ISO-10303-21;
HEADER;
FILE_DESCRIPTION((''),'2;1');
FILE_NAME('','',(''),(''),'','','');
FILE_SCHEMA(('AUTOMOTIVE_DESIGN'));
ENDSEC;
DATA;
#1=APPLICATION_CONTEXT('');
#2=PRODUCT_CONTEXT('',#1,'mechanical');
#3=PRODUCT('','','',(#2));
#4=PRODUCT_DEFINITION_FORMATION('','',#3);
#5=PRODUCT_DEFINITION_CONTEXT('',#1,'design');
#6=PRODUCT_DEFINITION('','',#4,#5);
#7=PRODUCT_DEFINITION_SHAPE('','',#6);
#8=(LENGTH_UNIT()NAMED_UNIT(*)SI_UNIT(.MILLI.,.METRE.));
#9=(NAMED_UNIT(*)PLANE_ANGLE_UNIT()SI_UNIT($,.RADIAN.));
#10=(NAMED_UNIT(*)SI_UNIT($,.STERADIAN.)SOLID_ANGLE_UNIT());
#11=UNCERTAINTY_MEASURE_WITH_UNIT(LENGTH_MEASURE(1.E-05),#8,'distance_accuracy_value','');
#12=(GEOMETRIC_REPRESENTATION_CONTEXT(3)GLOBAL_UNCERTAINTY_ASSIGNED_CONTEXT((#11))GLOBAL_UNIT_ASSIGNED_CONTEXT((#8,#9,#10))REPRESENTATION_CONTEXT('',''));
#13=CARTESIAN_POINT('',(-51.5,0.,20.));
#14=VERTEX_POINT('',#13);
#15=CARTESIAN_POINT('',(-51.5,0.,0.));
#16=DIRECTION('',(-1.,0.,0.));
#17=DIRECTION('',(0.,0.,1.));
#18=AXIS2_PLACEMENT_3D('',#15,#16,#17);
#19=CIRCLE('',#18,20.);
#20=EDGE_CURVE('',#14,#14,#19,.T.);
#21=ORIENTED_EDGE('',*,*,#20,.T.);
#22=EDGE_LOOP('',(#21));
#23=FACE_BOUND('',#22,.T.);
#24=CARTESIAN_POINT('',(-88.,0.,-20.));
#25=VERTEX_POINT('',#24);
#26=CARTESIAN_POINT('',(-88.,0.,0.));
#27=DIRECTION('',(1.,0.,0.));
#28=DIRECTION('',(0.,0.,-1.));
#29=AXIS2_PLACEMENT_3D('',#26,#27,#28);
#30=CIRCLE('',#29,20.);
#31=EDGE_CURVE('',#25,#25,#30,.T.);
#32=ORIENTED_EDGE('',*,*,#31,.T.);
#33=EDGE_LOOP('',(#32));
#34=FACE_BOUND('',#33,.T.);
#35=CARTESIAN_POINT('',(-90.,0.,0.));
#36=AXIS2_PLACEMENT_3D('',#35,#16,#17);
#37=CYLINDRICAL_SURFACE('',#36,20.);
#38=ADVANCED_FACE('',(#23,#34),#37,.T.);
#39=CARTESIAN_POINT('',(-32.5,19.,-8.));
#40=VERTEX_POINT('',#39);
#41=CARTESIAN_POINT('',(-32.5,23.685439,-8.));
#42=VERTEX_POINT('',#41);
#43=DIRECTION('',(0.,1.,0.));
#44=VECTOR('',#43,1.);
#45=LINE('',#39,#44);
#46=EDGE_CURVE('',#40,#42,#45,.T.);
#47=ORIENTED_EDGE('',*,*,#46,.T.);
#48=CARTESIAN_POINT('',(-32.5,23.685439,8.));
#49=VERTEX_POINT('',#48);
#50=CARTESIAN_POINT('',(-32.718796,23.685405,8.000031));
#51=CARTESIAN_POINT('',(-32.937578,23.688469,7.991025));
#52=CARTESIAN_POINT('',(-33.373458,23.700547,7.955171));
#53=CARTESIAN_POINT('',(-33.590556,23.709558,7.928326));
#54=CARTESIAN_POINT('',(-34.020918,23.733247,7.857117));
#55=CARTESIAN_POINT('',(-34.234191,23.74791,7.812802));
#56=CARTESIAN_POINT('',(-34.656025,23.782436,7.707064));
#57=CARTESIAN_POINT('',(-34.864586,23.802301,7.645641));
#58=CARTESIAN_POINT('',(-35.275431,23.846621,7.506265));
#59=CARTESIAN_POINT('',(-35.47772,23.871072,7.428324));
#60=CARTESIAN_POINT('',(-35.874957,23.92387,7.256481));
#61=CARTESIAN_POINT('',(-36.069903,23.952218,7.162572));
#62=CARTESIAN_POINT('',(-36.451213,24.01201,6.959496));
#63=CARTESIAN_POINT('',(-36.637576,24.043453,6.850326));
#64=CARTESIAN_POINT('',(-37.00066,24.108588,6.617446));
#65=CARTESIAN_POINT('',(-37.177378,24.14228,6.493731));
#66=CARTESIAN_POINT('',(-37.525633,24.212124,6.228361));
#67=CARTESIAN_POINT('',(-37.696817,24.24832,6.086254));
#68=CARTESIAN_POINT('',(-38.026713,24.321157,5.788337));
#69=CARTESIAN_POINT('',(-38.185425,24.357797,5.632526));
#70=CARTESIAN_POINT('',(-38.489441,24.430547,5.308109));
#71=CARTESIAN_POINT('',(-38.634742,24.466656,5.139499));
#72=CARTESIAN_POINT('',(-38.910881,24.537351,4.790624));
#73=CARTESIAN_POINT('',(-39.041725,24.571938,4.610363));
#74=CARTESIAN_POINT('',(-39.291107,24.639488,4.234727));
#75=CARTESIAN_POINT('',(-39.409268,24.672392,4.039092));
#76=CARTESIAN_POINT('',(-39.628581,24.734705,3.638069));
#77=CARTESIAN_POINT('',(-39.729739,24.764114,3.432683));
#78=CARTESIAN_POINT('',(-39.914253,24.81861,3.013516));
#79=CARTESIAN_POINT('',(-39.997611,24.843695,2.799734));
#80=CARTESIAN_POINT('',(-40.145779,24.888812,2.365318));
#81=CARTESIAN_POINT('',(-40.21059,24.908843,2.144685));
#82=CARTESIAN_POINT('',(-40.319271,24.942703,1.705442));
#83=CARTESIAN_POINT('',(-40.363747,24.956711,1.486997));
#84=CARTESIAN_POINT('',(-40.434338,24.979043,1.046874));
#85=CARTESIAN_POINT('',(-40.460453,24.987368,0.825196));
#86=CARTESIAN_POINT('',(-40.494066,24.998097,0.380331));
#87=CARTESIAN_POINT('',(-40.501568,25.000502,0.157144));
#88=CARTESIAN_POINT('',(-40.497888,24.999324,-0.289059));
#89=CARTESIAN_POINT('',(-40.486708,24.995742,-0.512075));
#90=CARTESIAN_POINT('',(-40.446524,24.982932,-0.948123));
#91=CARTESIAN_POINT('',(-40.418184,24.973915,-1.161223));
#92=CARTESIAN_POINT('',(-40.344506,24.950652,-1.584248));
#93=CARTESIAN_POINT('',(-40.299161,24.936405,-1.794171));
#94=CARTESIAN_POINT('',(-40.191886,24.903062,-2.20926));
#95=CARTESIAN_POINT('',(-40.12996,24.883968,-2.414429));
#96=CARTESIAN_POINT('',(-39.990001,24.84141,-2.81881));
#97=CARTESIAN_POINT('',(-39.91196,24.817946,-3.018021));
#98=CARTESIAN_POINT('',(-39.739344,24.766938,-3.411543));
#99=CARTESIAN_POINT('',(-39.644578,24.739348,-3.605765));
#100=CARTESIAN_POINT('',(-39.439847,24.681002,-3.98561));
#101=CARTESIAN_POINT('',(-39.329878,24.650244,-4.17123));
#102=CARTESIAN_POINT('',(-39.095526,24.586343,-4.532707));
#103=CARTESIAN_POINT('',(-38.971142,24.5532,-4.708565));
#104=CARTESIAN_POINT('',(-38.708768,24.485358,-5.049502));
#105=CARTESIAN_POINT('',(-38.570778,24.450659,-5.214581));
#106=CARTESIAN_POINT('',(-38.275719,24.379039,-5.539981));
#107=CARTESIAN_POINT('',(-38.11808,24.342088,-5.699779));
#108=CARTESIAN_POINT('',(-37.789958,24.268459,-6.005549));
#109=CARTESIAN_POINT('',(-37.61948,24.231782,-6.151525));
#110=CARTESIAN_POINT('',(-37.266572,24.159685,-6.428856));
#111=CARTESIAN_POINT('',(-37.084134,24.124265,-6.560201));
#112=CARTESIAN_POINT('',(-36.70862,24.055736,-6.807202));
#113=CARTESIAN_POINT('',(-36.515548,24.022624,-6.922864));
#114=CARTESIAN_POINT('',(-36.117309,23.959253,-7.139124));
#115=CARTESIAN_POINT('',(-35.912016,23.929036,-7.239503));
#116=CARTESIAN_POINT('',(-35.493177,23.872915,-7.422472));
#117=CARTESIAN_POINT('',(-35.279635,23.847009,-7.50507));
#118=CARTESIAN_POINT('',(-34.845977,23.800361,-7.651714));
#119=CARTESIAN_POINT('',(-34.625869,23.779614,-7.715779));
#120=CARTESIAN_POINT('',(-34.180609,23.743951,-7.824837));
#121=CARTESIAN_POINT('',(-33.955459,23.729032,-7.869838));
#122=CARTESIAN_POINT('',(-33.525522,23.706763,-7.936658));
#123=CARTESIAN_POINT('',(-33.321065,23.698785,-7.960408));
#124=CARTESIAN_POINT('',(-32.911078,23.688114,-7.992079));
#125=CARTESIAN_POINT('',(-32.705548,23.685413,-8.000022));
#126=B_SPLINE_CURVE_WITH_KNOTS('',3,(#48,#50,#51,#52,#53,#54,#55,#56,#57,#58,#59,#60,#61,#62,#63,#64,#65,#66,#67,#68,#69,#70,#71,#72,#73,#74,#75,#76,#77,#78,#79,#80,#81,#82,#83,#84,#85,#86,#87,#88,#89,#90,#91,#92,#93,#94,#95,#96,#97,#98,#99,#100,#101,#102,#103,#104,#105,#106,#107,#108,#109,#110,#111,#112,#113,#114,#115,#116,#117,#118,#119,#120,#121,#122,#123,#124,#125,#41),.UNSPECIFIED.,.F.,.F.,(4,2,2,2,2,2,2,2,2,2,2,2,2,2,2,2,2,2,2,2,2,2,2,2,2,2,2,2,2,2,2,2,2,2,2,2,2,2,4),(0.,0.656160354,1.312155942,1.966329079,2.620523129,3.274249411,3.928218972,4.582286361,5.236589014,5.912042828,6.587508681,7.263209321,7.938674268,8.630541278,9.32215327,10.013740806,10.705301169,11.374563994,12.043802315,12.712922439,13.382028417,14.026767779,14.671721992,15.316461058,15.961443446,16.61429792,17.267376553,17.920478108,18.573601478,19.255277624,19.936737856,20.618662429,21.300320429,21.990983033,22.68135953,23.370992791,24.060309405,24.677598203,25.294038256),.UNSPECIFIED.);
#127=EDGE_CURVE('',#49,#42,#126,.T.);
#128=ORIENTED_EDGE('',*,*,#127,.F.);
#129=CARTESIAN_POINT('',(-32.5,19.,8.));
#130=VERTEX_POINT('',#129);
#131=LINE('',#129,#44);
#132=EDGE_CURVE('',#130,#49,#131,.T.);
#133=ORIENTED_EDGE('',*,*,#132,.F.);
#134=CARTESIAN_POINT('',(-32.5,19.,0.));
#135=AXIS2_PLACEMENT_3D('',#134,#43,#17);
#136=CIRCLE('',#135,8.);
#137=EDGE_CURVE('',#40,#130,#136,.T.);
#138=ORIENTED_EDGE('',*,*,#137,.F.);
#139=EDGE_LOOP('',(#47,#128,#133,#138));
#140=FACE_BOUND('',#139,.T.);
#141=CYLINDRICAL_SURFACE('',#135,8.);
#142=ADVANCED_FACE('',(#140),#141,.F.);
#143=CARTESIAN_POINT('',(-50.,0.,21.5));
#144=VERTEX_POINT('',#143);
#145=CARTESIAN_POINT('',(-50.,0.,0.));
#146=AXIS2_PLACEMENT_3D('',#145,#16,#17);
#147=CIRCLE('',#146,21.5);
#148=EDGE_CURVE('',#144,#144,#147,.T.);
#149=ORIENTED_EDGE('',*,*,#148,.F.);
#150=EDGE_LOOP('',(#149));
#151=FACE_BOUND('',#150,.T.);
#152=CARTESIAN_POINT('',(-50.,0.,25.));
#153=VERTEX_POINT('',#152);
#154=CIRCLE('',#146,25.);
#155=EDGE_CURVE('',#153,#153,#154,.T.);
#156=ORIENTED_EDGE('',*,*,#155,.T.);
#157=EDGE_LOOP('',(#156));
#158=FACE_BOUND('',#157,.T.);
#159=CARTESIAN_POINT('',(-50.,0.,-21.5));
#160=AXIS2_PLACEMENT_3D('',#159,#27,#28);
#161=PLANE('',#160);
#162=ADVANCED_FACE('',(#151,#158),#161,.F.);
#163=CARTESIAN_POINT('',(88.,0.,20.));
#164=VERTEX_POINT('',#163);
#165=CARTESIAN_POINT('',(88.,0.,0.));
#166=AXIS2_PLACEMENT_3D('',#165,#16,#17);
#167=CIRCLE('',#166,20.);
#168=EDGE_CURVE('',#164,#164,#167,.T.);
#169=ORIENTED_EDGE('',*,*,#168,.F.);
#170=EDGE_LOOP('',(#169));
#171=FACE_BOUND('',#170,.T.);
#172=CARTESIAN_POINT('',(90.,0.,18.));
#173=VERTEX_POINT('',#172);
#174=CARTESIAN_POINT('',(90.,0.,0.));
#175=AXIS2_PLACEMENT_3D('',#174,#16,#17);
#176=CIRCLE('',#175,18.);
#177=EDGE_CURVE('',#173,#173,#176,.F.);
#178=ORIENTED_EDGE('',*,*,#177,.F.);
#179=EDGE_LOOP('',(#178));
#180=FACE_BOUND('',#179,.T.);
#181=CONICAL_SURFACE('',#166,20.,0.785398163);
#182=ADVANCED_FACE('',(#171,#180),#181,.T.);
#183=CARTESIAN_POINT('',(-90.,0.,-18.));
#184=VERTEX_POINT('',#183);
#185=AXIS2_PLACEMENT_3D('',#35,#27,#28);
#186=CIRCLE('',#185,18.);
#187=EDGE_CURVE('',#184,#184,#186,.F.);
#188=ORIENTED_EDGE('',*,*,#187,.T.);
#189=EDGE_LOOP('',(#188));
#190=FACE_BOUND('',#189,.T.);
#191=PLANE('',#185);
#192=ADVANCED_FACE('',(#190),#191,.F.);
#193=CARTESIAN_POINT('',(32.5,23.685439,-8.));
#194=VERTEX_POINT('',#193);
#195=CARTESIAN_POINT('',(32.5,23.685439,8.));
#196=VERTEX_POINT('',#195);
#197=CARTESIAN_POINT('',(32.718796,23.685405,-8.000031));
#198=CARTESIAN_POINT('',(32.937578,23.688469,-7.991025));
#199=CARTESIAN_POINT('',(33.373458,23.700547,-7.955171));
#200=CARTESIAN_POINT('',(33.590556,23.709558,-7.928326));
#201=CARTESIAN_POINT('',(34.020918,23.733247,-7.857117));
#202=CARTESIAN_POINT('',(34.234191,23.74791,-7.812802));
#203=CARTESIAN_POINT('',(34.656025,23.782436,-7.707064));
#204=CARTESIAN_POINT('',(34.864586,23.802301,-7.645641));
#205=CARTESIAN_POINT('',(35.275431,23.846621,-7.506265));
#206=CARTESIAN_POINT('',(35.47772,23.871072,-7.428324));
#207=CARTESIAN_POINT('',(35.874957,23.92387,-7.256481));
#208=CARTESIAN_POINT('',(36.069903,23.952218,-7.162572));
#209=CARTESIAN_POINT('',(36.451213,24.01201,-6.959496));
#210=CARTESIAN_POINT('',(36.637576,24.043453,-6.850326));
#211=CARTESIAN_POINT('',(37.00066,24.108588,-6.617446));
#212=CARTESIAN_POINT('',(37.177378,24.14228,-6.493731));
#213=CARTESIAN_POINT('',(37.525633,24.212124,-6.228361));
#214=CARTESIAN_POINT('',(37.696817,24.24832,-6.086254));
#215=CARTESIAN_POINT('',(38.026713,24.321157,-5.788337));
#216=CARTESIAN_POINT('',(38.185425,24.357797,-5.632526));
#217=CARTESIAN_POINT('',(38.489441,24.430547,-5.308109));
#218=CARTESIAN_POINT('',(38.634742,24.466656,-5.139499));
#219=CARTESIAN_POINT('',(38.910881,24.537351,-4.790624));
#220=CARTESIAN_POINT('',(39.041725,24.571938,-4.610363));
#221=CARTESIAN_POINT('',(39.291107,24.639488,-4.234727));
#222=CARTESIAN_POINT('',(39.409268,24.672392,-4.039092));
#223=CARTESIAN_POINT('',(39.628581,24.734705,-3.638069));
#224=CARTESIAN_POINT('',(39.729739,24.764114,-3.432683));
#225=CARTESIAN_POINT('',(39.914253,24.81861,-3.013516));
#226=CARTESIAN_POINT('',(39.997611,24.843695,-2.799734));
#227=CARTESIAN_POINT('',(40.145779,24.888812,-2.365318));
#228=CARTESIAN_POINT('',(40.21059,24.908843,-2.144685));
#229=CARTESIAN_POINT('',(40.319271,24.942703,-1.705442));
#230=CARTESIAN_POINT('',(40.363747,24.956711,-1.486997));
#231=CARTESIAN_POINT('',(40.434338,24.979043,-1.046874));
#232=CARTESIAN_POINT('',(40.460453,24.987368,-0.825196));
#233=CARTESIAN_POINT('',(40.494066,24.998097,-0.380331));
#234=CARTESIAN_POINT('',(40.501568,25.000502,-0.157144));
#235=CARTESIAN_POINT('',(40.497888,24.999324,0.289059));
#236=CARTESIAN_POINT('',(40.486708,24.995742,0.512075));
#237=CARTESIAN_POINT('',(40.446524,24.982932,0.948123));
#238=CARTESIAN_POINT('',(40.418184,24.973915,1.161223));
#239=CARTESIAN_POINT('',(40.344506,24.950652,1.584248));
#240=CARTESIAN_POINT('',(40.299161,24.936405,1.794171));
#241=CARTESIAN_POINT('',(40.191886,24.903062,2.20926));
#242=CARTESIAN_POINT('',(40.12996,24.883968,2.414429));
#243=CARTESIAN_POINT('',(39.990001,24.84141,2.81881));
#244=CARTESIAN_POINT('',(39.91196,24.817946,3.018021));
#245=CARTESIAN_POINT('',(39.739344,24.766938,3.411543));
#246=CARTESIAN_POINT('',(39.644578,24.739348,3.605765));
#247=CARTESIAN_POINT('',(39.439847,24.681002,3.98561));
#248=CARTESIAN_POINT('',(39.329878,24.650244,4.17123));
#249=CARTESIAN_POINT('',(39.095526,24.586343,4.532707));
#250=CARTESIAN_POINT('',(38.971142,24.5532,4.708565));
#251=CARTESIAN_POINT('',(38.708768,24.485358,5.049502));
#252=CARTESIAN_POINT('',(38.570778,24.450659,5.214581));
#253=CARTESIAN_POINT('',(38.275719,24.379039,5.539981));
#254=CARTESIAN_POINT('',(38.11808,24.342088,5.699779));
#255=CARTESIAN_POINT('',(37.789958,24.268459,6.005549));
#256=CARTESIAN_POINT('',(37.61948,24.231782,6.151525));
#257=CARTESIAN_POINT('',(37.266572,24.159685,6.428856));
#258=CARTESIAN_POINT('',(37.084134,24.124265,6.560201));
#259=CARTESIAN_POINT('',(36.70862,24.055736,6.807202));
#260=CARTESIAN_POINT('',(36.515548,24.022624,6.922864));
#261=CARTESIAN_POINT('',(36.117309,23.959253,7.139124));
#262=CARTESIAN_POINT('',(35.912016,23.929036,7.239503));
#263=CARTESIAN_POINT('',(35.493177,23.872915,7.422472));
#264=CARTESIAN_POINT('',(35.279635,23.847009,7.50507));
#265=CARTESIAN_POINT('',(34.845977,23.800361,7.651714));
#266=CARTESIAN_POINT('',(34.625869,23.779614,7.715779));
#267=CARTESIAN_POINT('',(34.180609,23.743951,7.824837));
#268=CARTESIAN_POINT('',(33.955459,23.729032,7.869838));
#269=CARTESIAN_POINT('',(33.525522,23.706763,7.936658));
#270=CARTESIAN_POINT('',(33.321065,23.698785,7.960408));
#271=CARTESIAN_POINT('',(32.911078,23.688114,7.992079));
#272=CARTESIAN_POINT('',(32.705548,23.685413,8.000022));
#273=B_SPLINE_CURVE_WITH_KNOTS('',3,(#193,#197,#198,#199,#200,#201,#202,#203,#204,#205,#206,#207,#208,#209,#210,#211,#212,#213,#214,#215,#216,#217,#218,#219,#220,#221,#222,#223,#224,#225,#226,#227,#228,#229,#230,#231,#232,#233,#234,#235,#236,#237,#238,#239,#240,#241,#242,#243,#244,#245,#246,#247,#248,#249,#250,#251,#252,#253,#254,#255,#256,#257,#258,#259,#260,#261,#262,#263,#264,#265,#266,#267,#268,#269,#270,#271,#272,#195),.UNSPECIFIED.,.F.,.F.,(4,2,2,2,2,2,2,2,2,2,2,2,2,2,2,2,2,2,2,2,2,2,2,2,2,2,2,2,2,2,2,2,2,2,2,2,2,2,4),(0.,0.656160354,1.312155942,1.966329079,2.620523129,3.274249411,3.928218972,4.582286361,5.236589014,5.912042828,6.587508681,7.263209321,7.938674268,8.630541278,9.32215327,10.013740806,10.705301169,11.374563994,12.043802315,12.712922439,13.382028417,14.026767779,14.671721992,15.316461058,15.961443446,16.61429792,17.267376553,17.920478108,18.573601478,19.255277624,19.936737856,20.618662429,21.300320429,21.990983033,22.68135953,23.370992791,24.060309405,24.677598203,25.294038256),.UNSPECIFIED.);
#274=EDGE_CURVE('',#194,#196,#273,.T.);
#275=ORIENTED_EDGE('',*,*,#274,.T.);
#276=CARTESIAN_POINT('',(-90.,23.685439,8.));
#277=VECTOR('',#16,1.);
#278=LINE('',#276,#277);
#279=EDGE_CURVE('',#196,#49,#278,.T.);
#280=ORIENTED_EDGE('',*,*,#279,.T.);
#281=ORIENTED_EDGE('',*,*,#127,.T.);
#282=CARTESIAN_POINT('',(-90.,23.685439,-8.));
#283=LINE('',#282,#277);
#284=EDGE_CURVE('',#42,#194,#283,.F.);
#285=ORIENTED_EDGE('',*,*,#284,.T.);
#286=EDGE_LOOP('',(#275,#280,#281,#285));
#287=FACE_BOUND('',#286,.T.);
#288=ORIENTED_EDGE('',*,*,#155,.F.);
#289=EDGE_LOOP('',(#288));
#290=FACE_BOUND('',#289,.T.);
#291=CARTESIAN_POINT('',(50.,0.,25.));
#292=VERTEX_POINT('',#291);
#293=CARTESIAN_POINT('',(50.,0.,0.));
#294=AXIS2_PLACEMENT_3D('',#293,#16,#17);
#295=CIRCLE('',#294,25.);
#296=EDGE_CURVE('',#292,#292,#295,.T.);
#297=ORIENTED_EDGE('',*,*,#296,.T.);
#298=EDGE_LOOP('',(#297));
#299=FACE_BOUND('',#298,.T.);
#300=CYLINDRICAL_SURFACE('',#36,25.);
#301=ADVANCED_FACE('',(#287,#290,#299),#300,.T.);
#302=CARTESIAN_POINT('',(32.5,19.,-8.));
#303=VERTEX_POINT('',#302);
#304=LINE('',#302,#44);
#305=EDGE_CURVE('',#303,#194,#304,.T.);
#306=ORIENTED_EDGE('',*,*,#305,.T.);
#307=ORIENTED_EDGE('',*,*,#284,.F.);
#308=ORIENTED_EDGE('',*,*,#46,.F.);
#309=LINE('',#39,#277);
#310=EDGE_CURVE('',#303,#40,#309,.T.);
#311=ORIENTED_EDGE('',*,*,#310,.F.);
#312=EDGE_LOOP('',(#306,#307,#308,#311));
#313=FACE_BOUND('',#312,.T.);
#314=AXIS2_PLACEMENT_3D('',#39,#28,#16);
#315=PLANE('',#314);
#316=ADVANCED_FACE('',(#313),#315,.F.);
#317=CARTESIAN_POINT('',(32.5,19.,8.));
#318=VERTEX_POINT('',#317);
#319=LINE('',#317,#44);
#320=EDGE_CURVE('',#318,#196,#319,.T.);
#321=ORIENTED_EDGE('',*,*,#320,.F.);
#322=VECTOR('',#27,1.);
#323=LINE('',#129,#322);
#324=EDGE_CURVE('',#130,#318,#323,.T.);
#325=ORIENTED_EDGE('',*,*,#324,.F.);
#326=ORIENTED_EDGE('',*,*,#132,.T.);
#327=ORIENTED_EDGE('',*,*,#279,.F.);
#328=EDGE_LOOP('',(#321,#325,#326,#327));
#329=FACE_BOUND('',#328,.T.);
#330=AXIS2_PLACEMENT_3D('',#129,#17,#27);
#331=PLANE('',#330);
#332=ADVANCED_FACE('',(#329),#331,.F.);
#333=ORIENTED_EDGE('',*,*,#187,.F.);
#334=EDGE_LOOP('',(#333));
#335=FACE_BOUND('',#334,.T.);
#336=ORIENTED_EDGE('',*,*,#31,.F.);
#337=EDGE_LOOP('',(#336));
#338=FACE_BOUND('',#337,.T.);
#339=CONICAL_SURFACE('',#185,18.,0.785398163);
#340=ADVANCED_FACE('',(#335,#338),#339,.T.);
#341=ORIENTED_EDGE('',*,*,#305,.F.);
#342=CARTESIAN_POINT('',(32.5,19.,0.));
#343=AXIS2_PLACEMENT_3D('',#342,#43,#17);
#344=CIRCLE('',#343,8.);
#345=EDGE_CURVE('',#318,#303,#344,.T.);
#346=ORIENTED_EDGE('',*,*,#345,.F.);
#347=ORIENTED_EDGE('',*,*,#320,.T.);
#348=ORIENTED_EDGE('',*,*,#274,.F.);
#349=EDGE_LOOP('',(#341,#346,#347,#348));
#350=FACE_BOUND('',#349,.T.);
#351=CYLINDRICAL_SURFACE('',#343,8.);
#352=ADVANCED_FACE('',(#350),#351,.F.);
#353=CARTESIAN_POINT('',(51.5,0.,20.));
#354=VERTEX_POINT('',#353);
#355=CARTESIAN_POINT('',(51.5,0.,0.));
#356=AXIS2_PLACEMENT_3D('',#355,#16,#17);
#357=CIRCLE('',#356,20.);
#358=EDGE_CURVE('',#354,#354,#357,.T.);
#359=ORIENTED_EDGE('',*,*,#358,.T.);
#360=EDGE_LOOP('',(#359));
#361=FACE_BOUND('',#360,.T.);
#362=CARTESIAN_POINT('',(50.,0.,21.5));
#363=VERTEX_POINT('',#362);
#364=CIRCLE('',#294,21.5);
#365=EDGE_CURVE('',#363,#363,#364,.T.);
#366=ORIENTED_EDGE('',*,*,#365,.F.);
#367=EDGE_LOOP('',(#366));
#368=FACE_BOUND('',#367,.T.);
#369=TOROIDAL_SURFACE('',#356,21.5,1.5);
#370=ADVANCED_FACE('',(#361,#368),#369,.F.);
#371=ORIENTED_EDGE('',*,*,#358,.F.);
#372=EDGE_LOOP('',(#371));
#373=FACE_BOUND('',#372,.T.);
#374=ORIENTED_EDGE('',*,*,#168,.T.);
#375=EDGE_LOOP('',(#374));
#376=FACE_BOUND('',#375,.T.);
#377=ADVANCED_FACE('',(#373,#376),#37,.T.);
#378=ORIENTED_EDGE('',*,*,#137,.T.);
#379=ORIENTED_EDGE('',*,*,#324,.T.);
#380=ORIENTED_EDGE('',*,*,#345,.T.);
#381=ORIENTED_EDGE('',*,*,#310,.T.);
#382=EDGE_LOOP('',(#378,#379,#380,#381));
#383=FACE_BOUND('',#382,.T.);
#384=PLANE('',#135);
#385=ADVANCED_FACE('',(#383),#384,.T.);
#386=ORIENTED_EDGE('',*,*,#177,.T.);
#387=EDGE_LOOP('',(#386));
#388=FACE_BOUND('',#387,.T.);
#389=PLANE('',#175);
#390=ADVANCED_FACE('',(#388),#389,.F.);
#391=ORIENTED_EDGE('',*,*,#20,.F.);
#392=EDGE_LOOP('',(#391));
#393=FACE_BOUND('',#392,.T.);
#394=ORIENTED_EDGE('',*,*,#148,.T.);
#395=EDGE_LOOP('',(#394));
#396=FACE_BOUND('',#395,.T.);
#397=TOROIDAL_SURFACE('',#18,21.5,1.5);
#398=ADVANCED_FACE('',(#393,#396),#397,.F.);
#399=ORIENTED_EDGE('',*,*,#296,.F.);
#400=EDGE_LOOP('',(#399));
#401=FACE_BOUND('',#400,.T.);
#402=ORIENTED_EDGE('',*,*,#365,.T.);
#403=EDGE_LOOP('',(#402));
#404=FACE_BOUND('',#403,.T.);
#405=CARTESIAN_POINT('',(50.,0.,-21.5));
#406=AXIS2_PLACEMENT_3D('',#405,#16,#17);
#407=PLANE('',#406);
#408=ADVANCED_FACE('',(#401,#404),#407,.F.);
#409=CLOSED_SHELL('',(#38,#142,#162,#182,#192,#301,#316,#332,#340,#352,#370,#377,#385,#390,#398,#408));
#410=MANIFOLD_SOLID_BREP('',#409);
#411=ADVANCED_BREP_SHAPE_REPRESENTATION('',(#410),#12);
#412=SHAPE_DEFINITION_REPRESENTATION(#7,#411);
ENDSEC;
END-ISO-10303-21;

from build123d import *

# Parameters (mm, degrees)
CHANFREIN1_SIZE         = 2
ENL_V_MAT_EXTRU_1_DEPTH = 6


with BuildPart() as part:
    # Esquisse1 → Révolution1 (revolve)
    with BuildSketch(Plane(origin=(0, 0, 0), x_dir=(1, 0, 0), z_dir=(0, 1, 0)), mode=Mode.PRIVATE) as r_volution1_sk:
        with BuildLine():
            Line((-90, 0), (-90, 20))
            Line((-90, 20), (-51.5, 20))
            ThreePointArc((-51.5, 20), (-50.439339828, 20.439339828), (-50, 21.5))
            Line((-50, 21.5), (-50, 25))
            Line((-50, 25), (50, 25))
            Line((50, 25), (50, 21.5))
            ThreePointArc((50, 21.5), (50.439339828, 20.439339828), (51.5, 20))
            Line((51.5, 20), (90, 20))
            Line((90, 20), (90, 0))
            Line((90, 0), (-90, 0))
        make_face()
    revolve(r_volution1_sk.sketch.rotate(Axis((-90, 0, 0), (1, 0, 0)), 180), axis=Axis((-90, 0, 0), (1, 0, 0)))

    # Chanfrein1
    chanfrein1_edges = [part.edges().sort_by_distance(p)[0] for p in [
        (-90, 0, -20),
        (90, 0, -20),
    ]]
    chamfer(chanfrein1_edges, length=CHANFREIN1_SIZE)

    # Esquisse2 → Enlèv. mat.-Extru.1 (cut)
    with BuildSketch(Plane(origin=(0, 25, 0), x_dir=(1, 0, 0), z_dir=(0, 1, 0))):
        with BuildLine():
            Line((-32.5, 8), (32.5, 8))
            ThreePointArc((32.5, 8), (40.5, 0), (32.5, -8))
            Line((32.5, -8), (-32.5, -8))
            ThreePointArc((-32.5, -8), (-40.5, 0), (-32.5, 8))
        make_face()
    extrude(amount=-ENL_V_MAT_EXTRU_1_DEPTH, mode=Mode.SUBTRACT)


solid = part.part
